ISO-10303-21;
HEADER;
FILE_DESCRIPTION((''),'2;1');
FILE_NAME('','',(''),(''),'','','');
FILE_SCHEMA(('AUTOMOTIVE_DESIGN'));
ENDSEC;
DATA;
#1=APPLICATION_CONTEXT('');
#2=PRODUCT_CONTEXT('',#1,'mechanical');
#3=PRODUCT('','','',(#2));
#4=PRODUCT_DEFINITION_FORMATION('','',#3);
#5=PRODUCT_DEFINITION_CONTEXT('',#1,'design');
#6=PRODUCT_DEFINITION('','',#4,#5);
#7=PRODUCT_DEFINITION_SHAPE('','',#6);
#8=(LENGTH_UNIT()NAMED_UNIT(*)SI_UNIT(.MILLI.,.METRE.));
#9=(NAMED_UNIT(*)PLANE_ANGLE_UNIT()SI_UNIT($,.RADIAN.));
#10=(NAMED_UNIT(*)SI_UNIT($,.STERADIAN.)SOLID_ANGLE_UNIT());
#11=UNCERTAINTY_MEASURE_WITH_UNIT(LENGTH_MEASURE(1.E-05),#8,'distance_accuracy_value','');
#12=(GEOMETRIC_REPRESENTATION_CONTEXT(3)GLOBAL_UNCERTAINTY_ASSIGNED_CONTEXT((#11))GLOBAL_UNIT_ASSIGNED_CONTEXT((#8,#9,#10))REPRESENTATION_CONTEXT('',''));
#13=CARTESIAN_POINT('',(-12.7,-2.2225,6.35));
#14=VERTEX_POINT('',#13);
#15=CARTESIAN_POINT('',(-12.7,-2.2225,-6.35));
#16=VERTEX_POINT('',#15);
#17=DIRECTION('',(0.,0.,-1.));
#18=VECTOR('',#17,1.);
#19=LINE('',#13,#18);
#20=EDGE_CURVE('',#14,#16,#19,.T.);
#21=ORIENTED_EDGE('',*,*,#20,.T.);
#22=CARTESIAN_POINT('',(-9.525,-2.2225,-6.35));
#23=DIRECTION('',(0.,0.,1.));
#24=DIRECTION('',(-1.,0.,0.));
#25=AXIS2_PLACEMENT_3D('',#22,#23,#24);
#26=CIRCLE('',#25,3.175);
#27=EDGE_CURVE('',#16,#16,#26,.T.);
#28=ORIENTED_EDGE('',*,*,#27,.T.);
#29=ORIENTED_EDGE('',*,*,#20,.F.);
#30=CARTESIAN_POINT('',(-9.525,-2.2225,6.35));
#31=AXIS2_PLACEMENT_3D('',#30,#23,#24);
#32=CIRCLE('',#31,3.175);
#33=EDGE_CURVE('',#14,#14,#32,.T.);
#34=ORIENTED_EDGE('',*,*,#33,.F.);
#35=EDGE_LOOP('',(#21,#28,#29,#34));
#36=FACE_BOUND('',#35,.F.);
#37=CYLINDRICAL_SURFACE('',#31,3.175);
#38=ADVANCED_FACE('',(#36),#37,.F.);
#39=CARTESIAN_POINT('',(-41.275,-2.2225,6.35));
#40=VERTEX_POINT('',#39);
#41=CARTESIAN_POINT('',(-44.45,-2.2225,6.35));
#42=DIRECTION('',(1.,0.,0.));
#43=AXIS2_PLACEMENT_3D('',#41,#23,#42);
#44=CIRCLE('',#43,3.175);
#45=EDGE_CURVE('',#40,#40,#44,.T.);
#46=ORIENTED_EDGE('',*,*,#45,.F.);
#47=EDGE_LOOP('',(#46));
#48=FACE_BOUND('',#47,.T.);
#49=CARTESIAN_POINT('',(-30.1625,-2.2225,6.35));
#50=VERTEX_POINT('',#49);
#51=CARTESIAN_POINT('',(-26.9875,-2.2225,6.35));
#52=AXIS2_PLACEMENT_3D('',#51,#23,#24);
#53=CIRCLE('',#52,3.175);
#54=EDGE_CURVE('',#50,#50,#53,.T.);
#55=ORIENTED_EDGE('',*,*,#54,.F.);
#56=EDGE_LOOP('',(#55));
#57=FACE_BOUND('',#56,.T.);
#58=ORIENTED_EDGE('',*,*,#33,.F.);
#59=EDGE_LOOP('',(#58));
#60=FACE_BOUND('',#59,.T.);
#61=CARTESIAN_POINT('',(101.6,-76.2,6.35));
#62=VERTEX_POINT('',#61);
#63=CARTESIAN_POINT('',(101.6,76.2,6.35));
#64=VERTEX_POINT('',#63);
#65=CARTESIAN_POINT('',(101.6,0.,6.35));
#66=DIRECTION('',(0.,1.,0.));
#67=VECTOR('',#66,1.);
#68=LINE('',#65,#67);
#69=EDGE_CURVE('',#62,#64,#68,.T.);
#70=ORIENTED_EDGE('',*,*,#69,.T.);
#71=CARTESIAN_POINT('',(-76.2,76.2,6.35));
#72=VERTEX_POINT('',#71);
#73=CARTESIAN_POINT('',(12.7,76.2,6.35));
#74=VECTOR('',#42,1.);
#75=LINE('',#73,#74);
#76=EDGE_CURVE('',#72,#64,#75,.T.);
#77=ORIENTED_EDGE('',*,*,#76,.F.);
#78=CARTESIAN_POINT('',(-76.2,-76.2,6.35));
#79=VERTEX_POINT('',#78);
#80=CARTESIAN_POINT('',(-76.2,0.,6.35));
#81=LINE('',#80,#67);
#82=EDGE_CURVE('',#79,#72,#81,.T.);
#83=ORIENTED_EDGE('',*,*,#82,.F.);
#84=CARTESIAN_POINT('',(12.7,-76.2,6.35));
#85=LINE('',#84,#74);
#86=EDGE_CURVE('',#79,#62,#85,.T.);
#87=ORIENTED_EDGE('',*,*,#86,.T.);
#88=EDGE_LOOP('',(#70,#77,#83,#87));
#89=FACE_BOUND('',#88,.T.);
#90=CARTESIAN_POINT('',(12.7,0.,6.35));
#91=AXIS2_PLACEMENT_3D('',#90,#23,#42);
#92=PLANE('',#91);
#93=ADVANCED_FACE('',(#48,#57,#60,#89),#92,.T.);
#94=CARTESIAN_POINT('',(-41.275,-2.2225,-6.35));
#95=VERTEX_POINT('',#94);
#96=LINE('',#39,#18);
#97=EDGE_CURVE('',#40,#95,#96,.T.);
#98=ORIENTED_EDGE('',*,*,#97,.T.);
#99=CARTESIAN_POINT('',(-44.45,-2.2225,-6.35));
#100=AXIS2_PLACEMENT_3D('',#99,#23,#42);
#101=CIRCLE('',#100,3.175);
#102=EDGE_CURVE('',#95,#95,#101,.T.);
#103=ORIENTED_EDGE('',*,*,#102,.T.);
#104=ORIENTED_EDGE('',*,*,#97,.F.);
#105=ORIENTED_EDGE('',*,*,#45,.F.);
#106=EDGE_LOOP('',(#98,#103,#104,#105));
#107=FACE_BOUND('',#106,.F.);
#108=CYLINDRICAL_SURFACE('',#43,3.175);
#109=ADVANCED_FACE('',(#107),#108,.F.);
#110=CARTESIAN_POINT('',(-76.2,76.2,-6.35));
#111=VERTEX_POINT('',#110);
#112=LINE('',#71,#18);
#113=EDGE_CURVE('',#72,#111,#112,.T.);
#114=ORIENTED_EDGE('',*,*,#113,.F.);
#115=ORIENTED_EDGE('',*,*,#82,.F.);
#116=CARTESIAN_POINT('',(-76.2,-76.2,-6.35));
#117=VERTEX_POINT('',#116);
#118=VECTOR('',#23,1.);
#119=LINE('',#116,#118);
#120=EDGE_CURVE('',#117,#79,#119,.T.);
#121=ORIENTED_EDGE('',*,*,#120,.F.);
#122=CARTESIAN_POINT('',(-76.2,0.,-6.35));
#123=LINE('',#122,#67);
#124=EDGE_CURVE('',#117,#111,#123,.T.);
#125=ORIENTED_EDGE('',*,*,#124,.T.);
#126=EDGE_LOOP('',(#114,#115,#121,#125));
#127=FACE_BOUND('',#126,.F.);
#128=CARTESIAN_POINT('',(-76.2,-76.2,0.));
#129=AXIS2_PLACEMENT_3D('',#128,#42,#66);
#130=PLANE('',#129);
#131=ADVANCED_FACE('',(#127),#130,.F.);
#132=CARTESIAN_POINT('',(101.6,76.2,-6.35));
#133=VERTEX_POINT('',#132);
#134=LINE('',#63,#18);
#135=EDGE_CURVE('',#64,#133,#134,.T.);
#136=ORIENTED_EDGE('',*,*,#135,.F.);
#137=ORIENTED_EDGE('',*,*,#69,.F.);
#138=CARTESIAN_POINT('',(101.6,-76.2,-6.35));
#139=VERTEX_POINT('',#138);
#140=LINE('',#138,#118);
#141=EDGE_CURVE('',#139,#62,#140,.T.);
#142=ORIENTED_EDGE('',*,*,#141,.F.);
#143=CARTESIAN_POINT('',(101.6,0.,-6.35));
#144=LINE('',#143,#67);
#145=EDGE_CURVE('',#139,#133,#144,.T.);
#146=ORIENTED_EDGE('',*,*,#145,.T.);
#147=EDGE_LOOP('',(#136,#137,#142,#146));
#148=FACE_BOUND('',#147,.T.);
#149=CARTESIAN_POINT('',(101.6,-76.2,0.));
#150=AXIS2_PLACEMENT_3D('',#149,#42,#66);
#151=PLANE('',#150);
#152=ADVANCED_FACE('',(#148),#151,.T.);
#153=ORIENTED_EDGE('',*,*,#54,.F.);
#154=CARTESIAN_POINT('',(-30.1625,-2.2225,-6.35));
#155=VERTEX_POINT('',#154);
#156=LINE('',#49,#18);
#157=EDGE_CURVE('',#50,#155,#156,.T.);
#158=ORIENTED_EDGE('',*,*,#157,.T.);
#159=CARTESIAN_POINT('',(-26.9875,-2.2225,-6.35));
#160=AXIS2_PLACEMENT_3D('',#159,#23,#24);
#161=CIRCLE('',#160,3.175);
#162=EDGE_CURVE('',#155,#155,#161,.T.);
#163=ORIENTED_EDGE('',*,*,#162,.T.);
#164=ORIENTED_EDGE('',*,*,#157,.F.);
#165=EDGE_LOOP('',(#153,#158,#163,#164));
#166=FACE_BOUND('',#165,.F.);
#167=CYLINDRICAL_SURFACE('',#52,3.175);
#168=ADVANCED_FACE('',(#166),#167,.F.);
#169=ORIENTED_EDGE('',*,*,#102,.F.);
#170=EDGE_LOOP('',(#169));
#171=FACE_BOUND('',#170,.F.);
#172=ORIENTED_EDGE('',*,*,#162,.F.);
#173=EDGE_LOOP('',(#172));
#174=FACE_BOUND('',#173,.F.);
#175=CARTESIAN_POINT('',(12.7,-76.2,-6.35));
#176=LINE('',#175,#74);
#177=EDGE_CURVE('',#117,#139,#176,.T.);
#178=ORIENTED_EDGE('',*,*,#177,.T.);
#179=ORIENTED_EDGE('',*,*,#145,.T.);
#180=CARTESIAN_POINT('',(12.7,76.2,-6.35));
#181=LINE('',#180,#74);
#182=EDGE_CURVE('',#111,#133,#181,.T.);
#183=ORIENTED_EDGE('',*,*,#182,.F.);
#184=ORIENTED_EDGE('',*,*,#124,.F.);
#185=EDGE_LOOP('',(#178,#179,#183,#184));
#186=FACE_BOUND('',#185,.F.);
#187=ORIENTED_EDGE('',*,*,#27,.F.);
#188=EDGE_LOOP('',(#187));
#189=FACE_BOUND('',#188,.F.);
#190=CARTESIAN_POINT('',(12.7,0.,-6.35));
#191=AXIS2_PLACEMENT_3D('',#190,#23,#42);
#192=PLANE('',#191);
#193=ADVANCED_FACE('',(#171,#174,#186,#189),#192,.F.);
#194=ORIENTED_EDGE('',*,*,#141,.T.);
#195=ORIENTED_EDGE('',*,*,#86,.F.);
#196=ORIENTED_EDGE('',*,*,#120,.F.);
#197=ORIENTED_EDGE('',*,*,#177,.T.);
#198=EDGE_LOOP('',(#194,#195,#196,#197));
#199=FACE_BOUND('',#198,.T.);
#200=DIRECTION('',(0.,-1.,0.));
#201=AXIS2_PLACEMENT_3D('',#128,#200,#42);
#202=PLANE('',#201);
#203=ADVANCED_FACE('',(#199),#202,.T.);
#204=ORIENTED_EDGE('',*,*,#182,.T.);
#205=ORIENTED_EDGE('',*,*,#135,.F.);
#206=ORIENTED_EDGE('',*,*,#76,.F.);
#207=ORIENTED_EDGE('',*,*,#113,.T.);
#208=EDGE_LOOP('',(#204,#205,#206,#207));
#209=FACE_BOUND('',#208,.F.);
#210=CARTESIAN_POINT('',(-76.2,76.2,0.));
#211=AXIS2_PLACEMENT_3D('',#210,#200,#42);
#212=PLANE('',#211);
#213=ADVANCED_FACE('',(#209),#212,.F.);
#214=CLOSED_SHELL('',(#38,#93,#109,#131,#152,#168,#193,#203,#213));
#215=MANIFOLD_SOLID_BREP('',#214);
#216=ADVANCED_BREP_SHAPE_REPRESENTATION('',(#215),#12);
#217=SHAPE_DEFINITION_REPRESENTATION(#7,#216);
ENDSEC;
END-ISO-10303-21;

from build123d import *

# Parameters (mm, degrees)
F0_W          = 177.8
F0_H          = 152.4
F1_DEPTH      = 6.35
F1_DEPTH_BACK = 6.35
F3_DEPTH      = 12.701


with BuildPart() as f1:
    # F0 (on Top) → F1 (new body, two sides)
    with BuildSketch(Plane.XY) as f1_sk:
        with Locations((12.7, 0)):
            Rectangle(F0_W, F0_H)
    extrude(amount=F1_DEPTH)
    extrude(f1_sk.sketch, amount=-F1_DEPTH_BACK)

    # F2 (on face) → F3 (cut, through all)
    with BuildSketch(Plane.XY.offset(6.35)):
        with BuildLine():
            ThreePointArc((-47.625, -2.2225), (-44.45, -5.3975), (-41.275, -2.2225))
            ThreePointArc((-41.275, -2.2225), (-44.45, 0.9525), (-47.625, -2.2225))
        make_face()
        with BuildLine():
            ThreePointArc((-6.35, -2.2225), (-9.525, 0.9525), (-12.7, -2.2225))
            ThreePointArc((-12.7, -2.2225), (-9.525, -5.3975), (-6.35, -2.2225))
        make_face()
        with BuildLine():
            ThreePointArc((-23.8125, -2.2225), (-26.9875, 0.9525), (-30.1625, -2.2225))
            ThreePointArc((-30.1625, -2.2225), (-26.9875, -5.3975), (-23.8125, -2.2225))
        make_face()
    extrude(amount=-F3_DEPTH, mode=Mode.SUBTRACT)


solid = f1.part
